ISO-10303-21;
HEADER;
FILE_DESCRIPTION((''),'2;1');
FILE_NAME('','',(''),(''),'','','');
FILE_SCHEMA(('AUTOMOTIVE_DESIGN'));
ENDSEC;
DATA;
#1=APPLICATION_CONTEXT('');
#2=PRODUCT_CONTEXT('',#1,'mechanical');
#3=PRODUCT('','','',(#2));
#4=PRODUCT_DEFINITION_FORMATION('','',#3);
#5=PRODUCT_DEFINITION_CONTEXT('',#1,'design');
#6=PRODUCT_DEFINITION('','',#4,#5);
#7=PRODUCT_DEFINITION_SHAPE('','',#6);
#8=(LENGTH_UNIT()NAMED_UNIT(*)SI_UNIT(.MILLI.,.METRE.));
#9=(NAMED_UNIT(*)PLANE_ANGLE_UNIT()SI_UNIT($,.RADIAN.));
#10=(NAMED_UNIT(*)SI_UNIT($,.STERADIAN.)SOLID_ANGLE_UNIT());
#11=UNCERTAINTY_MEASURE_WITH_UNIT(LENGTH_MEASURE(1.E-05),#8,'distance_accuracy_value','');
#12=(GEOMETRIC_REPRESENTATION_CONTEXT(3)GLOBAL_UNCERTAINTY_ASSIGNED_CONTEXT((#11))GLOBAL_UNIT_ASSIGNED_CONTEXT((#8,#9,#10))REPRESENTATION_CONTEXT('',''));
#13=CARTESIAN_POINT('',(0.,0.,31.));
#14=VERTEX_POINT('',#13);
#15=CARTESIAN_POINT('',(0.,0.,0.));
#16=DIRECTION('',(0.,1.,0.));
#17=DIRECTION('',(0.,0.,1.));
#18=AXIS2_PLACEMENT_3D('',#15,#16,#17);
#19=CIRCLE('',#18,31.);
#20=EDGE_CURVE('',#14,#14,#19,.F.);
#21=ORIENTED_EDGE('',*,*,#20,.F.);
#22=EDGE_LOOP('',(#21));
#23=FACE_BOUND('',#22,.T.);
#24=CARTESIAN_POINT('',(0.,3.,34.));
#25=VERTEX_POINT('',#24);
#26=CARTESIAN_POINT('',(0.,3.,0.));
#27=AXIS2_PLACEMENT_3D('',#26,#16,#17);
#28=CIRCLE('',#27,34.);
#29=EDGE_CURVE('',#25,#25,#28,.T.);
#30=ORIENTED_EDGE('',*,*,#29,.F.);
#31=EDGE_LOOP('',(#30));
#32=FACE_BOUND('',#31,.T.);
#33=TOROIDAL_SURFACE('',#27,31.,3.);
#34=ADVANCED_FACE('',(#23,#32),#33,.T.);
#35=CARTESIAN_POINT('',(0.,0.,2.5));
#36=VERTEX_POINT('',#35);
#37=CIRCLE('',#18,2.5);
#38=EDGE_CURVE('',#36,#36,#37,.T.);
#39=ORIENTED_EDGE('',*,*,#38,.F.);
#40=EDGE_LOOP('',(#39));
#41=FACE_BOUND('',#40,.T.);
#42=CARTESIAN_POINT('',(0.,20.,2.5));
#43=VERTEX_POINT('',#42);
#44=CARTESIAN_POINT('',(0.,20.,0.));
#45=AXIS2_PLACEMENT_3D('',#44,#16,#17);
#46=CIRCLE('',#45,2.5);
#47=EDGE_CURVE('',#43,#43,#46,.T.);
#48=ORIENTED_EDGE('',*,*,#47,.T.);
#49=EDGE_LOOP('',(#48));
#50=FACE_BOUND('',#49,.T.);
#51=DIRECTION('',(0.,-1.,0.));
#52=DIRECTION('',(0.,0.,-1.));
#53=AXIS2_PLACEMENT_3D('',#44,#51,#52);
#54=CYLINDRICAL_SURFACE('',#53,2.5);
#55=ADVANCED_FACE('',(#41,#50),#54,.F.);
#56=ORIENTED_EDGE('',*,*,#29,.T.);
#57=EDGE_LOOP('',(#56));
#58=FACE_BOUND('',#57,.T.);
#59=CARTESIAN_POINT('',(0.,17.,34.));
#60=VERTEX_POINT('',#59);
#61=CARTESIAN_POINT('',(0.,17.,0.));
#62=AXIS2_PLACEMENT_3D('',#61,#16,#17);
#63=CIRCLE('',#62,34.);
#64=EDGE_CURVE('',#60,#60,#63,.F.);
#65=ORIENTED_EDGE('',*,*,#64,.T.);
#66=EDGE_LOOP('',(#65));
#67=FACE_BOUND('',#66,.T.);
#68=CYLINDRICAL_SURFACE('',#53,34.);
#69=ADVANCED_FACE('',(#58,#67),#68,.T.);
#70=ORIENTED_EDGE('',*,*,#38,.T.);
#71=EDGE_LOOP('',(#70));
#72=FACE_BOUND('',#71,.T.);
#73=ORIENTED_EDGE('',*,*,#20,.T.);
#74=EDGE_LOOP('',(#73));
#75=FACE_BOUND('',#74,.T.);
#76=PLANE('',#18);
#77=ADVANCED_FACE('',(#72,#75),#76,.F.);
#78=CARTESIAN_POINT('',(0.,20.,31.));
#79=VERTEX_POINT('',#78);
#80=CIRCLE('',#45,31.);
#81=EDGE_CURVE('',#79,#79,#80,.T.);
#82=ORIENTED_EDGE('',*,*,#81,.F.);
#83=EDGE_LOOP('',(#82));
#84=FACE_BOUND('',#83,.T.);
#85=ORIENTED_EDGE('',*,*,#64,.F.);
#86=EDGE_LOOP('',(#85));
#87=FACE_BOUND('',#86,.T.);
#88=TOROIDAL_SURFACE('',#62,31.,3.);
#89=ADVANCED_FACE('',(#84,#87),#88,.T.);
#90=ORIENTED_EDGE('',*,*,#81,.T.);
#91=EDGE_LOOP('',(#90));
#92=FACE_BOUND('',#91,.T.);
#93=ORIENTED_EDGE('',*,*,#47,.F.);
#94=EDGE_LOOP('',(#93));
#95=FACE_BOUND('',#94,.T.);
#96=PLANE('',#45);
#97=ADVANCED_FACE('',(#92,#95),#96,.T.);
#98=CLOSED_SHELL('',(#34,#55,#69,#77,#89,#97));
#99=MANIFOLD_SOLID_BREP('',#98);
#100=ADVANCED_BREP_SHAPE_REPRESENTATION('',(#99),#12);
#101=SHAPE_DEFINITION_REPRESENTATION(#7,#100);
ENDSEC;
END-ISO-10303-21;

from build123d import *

# Parameters (mm, degrees)
SKETCH_1_R      = 34
SKETCH_1_R_2    = 2.5
EXTRUDE_1_DEPTH = 20
FILLET_1_R      = 3


with BuildPart() as part:
    # 草圖1 → 填料-伸長1 (new body)
    with BuildSketch(Plane(origin=(0, 0, 0), x_dir=(1, 0, 0), z_dir=(0, 1, 0))):
        Circle(SKETCH_1_R)
        Circle(SKETCH_1_R_2, mode=Mode.SUBTRACT)
    extrude(amount=EXTRUDE_1_DEPTH)

    # 圓角1
    fillet_1_edges = [part.edges().sort_by_distance(p)[0] for p in [
        (-34, 0, 0),
        (-34, 20, 0),
    ]]
    fillet(fillet_1_edges, radius=FILLET_1_R)


solid = part.part
